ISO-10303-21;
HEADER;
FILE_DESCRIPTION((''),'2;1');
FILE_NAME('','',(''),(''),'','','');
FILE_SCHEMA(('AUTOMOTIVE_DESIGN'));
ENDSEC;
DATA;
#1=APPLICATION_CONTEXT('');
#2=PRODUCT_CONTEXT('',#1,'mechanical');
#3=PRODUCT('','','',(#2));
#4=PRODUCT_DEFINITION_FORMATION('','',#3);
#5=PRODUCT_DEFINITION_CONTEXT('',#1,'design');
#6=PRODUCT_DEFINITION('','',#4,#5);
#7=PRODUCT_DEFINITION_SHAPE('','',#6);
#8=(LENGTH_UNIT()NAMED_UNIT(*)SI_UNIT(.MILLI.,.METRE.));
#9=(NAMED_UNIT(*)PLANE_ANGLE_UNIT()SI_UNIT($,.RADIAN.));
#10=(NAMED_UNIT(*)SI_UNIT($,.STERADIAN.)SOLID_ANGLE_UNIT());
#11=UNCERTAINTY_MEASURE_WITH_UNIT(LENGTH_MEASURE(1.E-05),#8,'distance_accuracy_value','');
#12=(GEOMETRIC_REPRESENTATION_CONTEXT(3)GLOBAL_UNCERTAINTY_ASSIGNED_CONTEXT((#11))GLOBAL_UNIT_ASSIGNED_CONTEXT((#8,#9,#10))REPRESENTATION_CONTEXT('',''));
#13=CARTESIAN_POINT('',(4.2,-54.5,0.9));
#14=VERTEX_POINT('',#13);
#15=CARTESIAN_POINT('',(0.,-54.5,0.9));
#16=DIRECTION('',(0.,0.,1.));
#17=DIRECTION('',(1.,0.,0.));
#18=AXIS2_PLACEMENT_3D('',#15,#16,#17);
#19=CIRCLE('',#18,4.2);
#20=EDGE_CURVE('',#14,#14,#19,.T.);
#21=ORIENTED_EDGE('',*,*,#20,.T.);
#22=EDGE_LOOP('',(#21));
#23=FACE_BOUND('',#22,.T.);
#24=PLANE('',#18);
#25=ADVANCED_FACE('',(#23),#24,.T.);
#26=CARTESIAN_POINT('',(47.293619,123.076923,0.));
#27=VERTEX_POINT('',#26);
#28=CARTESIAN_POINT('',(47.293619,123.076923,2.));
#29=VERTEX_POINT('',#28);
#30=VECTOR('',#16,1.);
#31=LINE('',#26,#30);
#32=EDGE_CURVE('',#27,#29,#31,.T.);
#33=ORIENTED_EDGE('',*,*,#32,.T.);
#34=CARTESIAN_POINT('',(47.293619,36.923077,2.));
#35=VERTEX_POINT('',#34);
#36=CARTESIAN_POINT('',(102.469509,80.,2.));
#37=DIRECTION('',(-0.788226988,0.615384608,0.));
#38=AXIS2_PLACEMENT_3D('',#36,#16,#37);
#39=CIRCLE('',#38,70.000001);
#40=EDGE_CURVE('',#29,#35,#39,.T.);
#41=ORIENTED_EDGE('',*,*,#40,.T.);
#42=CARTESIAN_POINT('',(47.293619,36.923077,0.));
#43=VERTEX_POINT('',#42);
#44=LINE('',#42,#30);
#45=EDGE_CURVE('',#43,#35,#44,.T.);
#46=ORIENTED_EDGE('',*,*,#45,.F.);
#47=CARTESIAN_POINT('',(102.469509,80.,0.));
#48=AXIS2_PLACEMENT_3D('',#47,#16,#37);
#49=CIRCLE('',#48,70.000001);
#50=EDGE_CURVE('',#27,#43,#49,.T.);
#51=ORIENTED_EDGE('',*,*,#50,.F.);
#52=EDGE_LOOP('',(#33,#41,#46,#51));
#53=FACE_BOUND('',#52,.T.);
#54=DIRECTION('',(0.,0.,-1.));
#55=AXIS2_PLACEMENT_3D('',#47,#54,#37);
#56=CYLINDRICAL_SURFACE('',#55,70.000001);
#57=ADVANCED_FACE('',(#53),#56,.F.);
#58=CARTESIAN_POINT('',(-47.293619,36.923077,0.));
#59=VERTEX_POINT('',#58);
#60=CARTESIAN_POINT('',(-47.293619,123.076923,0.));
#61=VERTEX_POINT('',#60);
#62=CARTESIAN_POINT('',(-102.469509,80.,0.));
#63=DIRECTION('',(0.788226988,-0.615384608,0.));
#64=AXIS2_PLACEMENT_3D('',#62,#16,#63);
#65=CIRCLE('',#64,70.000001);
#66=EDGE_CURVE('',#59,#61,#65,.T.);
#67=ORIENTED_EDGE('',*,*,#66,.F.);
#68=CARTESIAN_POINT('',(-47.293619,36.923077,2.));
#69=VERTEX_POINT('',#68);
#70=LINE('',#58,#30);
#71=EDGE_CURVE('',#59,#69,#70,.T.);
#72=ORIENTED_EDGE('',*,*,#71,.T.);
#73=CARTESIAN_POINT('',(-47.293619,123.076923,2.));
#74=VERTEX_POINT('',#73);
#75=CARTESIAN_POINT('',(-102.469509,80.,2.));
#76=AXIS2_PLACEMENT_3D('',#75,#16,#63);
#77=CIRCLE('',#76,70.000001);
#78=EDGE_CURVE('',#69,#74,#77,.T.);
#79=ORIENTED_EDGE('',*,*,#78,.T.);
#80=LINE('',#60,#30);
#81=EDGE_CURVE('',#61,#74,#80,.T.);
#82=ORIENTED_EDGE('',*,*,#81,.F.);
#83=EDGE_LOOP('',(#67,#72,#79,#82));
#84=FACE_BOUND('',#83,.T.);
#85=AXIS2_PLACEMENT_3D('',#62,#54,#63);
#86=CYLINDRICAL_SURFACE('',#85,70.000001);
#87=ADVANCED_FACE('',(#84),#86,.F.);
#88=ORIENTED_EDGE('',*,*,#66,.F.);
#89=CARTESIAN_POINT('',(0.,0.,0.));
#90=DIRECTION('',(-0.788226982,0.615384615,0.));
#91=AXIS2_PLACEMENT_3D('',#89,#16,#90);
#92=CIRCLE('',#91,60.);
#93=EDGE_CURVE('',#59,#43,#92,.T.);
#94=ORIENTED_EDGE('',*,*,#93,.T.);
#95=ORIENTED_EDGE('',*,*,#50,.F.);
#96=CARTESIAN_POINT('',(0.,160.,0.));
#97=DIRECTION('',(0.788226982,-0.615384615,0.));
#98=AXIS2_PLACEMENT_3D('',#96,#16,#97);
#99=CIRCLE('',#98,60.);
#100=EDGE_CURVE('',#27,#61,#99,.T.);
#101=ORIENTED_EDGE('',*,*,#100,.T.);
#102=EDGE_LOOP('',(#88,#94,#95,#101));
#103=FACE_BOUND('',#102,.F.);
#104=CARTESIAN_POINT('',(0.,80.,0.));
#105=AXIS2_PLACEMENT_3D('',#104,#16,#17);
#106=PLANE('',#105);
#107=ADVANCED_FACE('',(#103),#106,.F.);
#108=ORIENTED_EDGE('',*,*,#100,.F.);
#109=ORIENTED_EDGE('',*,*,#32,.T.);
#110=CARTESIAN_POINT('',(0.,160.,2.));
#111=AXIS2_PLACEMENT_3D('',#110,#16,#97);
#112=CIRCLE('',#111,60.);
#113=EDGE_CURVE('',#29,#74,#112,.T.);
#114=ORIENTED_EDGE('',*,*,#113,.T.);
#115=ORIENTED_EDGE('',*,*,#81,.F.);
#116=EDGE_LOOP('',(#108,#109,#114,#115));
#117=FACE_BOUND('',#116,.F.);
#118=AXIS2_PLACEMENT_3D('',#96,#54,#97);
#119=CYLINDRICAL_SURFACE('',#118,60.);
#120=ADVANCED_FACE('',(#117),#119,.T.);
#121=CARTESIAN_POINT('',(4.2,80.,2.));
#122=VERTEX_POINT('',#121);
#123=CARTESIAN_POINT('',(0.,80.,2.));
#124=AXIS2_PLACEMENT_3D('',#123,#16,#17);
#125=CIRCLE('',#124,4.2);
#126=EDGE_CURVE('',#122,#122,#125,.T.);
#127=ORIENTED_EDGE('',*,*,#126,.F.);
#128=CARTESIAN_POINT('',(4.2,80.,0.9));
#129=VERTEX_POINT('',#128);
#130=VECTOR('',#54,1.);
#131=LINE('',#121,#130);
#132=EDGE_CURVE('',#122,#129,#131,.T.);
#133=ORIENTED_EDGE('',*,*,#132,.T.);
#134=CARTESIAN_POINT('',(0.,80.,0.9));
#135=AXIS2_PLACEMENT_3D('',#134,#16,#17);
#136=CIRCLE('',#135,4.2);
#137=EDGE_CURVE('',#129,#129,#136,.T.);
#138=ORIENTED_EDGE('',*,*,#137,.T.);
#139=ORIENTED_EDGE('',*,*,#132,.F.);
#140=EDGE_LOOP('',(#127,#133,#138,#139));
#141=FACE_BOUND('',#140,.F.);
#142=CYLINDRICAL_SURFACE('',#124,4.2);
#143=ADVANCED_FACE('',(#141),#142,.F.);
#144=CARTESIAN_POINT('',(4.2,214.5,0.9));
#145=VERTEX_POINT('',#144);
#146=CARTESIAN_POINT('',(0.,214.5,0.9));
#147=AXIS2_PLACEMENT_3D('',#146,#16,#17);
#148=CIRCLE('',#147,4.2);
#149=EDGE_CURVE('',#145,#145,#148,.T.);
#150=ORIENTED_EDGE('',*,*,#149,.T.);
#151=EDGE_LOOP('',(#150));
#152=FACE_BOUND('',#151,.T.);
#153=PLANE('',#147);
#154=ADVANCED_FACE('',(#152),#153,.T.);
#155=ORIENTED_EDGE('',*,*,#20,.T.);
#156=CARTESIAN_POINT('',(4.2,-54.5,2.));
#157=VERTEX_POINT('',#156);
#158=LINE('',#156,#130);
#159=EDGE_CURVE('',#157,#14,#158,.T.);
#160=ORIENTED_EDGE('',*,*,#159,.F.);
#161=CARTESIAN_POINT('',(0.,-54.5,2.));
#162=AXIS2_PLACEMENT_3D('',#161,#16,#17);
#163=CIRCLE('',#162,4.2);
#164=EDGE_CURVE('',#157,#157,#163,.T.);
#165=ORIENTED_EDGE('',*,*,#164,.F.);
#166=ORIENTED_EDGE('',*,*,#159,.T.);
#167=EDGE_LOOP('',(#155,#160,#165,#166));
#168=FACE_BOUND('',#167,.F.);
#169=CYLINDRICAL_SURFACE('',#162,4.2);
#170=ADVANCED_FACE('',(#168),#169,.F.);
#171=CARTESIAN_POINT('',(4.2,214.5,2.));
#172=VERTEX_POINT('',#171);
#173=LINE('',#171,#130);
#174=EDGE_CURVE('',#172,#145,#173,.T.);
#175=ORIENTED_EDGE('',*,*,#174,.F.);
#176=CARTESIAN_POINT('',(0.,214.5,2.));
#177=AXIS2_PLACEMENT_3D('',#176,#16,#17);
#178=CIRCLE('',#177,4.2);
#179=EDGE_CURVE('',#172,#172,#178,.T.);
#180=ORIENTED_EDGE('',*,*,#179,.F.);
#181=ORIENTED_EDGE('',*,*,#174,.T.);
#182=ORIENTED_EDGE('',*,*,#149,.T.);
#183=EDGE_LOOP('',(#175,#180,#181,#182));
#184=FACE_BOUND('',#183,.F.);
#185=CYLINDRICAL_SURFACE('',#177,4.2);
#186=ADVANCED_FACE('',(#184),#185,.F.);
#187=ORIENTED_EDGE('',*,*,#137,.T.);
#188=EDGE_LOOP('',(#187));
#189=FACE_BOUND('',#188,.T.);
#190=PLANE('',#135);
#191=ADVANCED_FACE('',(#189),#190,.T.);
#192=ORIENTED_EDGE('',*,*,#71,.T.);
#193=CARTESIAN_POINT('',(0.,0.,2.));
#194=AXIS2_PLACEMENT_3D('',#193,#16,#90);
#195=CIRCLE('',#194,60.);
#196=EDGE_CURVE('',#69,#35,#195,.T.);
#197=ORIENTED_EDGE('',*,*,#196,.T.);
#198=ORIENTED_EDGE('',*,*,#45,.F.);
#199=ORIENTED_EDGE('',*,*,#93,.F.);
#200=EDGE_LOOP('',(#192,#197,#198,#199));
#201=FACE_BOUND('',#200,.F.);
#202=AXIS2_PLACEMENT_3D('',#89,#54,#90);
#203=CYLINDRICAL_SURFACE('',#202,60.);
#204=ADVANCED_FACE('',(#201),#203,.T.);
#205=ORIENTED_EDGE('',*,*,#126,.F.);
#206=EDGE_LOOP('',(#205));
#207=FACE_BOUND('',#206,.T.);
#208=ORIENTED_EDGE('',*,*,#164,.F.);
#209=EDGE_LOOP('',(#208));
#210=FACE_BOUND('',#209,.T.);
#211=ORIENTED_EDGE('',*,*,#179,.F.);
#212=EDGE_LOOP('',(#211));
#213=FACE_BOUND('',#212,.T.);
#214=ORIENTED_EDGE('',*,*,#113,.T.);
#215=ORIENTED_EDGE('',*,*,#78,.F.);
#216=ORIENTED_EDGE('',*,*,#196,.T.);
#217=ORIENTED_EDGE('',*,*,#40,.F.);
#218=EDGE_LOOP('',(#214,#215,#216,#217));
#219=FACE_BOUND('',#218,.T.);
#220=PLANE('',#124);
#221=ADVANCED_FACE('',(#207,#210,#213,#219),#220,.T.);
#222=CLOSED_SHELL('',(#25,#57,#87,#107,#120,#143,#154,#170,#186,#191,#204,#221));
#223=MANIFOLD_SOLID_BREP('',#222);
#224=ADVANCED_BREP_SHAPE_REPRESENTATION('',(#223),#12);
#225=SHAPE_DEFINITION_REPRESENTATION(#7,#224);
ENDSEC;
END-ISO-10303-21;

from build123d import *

# Parameters (mm, degrees)
PAD_DEPTH    = 2
SKETCH001_R  = 4.2
POCKET_DEPTH = 1.1


with BuildPart() as part:
    # Sketch → Pad (new body)
    with BuildSketch(Plane.XY):
        with BuildLine():
            ThreePointArc((-47.293619, 36.923077), (0, -60), (47.293619, 36.923077))
            ThreePointArc((47.293619, 123.076923), (32.469508, 80), (47.293619, 36.923077))
            ThreePointArc((47.293619, 123.076923), (0, 220), (-47.293619, 123.076923))
            ThreePointArc((-47.293619, 36.923077), (-32.469508, 80), (-47.293619, 123.076923))
        make_face()
    extrude(amount=PAD_DEPTH)

    # Sketch001 (on Face6 of Pad) → Pocket (cut)
    with BuildSketch(Plane.XY.offset(2)):
        with Locations((0, -54.5)):
            Circle(SKETCH001_R)
        with Locations((0, 214.5)):
            Circle(SKETCH001_R)
        with Locations((0, 80)):
            Circle(SKETCH001_R)
    extrude(amount=-POCKET_DEPTH, mode=Mode.SUBTRACT)


solid = part.part
